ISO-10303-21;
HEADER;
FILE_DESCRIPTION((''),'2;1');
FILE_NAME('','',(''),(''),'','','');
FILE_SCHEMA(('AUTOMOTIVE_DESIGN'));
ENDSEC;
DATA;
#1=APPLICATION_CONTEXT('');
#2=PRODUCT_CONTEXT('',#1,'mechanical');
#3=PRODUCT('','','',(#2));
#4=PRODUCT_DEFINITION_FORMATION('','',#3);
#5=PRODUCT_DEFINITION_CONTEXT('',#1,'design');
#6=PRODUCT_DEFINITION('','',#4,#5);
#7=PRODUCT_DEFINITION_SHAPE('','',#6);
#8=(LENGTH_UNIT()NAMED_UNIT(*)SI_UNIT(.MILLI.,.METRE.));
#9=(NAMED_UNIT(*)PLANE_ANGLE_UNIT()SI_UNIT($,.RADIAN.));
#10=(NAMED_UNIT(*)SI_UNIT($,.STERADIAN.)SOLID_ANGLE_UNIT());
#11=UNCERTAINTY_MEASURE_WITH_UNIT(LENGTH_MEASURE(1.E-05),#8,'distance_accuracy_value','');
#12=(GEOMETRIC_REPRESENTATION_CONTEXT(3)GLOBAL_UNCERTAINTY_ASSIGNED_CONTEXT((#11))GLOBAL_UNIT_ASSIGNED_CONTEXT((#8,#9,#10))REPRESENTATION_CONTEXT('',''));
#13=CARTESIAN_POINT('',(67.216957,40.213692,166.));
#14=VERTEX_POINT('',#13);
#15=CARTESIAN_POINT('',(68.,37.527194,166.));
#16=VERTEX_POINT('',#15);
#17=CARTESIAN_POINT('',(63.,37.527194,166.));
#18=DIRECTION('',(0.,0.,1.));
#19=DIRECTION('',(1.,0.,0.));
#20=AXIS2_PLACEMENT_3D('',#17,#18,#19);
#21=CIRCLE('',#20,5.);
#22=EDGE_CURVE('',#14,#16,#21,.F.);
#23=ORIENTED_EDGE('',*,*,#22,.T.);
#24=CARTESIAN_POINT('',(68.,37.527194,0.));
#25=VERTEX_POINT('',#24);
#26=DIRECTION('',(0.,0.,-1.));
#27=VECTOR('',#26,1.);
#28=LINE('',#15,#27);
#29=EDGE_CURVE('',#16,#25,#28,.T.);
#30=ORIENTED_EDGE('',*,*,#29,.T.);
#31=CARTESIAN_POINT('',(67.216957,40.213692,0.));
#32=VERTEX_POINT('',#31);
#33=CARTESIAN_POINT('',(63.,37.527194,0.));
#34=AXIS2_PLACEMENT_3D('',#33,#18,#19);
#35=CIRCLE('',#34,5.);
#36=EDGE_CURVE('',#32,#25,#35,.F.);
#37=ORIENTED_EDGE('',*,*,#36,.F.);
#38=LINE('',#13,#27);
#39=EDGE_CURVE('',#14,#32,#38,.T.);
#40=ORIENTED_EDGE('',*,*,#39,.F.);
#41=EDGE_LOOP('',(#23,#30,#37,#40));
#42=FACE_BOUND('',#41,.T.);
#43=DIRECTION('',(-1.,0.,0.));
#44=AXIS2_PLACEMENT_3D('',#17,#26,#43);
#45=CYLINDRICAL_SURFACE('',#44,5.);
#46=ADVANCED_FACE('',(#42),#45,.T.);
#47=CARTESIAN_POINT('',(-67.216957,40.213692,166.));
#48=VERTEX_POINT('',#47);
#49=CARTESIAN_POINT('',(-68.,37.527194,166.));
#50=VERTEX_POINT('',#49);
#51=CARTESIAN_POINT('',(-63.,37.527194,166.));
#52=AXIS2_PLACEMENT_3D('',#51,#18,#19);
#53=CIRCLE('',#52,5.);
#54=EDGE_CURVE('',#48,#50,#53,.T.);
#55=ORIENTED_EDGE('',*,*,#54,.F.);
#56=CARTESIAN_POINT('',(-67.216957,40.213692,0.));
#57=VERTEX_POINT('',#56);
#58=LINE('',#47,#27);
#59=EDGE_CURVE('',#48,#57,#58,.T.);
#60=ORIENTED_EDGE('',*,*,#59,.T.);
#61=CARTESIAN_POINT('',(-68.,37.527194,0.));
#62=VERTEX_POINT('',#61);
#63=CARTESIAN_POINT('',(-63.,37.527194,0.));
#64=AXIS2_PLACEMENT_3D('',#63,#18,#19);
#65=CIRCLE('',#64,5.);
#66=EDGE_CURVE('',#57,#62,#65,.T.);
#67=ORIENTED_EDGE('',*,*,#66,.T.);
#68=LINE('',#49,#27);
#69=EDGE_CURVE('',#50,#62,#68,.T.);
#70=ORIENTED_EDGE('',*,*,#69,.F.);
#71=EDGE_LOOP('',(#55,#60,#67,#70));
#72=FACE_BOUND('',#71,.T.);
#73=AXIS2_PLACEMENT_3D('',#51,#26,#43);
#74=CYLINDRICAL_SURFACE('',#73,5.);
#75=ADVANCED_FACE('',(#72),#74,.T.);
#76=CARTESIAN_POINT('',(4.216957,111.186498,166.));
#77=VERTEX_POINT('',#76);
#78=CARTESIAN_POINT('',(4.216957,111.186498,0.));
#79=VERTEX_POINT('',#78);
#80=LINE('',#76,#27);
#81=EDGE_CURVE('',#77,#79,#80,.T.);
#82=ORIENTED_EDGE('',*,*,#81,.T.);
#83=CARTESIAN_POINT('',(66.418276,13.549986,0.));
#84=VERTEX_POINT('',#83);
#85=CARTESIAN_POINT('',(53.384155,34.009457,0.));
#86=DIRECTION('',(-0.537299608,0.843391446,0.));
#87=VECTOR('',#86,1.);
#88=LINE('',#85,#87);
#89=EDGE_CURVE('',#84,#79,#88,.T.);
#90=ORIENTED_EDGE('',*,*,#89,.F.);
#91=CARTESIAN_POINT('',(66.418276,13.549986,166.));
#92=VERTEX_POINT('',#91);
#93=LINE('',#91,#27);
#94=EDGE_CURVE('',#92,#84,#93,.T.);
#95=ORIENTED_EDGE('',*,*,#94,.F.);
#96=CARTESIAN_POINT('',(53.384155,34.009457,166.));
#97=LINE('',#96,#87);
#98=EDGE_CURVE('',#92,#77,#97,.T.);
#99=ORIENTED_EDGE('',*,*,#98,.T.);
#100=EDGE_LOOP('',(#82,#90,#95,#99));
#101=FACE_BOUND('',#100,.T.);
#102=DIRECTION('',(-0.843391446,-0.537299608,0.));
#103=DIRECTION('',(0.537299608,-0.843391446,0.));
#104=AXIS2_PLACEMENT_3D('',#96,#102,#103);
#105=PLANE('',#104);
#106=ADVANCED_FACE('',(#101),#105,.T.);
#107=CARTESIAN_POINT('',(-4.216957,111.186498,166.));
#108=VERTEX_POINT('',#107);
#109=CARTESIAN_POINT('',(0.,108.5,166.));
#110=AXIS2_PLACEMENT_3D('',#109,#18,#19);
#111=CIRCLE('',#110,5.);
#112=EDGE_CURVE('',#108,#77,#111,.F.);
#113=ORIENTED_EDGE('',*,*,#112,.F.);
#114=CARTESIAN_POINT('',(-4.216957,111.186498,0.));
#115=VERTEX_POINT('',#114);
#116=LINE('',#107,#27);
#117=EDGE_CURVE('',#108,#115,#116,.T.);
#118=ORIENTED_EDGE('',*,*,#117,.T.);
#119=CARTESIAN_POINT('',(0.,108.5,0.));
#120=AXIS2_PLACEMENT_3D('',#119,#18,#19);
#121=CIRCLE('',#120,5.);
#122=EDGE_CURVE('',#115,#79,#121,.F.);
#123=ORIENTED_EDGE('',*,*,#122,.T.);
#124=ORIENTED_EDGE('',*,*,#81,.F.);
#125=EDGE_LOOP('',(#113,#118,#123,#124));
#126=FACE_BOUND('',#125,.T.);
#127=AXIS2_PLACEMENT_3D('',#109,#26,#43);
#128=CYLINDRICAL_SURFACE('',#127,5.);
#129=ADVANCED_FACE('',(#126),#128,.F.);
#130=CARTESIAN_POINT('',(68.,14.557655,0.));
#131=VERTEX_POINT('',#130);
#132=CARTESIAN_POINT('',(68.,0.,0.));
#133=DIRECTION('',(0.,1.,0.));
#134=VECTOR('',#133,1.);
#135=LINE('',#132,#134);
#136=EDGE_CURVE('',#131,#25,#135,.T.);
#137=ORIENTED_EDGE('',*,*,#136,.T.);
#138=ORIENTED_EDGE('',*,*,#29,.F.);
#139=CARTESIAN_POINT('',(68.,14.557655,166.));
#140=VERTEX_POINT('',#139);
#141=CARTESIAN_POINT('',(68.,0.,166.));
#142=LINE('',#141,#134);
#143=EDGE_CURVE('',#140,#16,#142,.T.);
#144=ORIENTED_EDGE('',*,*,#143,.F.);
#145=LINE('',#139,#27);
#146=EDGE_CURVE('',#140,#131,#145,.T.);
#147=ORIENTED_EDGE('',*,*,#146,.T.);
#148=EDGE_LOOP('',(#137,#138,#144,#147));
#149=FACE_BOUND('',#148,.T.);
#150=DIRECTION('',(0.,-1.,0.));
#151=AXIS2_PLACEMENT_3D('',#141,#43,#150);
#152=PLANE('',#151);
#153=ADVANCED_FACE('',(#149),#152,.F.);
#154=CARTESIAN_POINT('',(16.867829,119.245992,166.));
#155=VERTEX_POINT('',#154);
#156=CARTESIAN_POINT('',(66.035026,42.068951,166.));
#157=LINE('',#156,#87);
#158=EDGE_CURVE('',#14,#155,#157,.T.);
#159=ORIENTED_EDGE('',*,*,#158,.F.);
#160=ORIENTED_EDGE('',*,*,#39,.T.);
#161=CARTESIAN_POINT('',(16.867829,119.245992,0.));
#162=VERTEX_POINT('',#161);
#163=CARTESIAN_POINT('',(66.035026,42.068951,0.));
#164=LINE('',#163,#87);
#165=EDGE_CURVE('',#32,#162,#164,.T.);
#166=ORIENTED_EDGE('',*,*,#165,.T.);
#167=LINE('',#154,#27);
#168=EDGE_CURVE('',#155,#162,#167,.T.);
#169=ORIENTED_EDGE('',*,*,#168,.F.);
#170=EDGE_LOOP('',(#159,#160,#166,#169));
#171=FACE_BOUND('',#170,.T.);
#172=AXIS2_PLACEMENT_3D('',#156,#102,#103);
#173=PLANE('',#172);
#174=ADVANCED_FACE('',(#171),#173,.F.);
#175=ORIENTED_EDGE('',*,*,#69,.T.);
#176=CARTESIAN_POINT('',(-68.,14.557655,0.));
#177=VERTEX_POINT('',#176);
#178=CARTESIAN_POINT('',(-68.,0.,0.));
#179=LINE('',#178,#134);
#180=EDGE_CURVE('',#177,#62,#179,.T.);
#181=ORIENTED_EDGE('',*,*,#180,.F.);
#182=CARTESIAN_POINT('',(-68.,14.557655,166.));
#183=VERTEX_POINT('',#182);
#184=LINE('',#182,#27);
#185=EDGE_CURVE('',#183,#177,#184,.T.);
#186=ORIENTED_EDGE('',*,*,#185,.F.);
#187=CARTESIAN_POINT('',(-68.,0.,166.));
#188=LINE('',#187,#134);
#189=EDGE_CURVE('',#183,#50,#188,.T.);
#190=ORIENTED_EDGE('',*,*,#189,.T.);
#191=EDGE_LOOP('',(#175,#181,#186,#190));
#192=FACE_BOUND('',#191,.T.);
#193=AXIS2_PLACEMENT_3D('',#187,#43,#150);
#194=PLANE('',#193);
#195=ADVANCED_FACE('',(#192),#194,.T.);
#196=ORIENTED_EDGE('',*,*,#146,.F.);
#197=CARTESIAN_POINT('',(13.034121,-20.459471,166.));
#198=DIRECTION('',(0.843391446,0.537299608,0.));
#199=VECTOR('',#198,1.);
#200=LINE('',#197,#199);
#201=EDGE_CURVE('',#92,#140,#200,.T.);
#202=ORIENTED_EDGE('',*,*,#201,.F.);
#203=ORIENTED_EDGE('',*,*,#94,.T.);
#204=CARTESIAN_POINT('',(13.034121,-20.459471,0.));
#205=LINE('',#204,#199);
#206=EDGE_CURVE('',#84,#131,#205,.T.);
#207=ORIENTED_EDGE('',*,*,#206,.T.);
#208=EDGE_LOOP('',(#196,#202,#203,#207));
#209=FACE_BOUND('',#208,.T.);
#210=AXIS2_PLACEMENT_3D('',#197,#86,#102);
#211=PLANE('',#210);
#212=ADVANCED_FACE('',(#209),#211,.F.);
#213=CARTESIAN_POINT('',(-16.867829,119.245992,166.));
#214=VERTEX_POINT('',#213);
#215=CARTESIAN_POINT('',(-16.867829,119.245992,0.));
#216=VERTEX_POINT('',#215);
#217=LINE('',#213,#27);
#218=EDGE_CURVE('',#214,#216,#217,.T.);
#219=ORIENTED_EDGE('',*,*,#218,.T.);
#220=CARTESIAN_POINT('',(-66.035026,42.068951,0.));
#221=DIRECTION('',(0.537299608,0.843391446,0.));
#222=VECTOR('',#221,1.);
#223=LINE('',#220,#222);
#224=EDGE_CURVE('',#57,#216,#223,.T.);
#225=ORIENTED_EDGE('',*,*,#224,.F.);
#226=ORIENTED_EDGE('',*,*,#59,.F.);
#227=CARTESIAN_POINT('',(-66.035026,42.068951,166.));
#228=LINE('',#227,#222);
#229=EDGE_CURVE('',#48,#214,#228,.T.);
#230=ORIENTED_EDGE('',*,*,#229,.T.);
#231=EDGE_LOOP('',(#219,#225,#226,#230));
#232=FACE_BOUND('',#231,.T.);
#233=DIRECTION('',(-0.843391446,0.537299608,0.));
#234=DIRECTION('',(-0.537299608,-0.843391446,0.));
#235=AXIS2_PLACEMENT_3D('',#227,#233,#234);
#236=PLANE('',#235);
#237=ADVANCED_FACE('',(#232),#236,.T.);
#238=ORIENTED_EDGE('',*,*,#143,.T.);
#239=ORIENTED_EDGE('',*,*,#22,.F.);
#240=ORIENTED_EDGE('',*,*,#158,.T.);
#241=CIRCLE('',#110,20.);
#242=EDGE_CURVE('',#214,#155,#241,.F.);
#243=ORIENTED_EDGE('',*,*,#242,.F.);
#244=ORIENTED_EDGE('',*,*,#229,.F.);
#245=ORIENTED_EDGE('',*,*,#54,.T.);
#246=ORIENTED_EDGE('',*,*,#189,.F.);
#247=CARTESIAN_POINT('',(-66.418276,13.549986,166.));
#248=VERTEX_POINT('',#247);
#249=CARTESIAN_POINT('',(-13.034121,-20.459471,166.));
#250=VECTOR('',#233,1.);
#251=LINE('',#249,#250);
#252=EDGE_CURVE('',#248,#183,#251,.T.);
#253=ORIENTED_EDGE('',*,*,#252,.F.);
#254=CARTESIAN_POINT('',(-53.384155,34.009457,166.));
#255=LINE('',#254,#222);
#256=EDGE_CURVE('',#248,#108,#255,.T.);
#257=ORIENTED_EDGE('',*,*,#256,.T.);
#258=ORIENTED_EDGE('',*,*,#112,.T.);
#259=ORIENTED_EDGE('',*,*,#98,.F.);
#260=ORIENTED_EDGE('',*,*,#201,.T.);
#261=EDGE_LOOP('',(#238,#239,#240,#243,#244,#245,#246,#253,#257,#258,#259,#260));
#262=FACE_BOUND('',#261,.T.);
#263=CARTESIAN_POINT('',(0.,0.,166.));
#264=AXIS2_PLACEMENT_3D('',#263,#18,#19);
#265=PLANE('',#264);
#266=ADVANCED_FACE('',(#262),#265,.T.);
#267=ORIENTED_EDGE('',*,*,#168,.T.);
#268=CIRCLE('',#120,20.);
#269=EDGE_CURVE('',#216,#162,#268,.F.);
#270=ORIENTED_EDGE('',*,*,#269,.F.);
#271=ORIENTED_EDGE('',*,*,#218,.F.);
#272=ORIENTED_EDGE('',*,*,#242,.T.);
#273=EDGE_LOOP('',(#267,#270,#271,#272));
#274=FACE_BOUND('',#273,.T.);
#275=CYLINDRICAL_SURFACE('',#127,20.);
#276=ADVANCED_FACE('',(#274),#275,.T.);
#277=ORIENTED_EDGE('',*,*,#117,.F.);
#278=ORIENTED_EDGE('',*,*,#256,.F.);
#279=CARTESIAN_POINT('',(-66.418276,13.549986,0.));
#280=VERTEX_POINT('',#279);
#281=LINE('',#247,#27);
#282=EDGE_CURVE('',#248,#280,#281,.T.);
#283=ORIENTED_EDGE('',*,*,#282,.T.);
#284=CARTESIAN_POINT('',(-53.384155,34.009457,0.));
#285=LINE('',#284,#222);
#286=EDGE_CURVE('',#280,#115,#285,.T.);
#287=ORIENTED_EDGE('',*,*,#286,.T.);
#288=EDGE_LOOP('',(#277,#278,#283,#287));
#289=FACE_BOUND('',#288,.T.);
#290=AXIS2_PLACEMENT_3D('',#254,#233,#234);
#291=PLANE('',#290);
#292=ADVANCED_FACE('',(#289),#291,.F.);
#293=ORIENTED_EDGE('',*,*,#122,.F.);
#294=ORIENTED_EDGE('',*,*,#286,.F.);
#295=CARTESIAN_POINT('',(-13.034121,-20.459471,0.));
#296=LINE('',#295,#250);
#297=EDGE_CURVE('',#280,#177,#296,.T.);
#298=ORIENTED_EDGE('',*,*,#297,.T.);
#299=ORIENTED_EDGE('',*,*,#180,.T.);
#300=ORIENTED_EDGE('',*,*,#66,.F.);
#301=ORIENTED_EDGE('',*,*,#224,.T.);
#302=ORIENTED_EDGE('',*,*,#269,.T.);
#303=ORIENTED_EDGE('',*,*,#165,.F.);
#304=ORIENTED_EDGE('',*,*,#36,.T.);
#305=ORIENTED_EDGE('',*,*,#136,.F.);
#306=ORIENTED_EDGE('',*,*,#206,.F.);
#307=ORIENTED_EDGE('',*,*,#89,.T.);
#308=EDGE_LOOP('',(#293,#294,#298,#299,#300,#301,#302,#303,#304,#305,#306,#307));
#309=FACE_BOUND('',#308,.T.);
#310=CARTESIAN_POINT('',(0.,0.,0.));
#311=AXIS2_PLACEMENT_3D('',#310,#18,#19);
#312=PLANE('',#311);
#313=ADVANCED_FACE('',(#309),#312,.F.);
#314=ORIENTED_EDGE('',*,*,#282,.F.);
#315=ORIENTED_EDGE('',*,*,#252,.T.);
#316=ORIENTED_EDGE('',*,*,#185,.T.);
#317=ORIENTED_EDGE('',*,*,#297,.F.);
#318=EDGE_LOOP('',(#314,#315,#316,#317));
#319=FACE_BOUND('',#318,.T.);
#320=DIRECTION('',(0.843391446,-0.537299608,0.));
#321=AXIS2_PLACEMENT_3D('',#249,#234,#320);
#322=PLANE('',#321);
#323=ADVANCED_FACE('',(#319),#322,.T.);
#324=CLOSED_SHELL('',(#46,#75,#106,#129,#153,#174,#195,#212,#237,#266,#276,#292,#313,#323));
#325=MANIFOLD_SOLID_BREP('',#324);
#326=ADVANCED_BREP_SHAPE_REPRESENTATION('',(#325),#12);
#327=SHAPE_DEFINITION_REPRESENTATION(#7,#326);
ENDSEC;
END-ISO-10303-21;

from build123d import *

# Parameters (mm, degrees)
BOSS_EXTRUDE1_DEPTH = 166


with BuildPart() as part:
    # Sketch1 → Boss-Extrude1 (new body)
    with BuildSketch(Plane.XY):
        with BuildLine():
            Line((-68, 14.557655487), (-66.418275512, 13.549985855))
            Line((-66.418275512, 13.549985855), (-4.216957229, 111.186498042))
            ThreePointArc((-4.216957229, 111.186498042), (0, 113.5), (4.216957229, 111.186498042))
            Line((4.216957229, 111.186498042), (66.418275512, 13.549985855))
            Line((66.418275512, 13.549985855), (68, 14.557655487))
            Line((68, 14.557655487), (68, 37.527193592))
            ThreePointArc((68, 37.527193592), (67.800249272, 38.926338662), (67.216957229, 40.213691634))
            Line((67.216957229, 40.213691634), (16.867828916, 119.245992167))
            ThreePointArc((16.867828916, 119.245992167), (0, 128.5), (-16.867828916, 119.245992167))
            Line((-16.867828916, 119.245992167), (-67.216957229, 40.213691634))
            ThreePointArc((-67.216957229, 40.213691634), (-67.800249272, 38.926338662), (-68, 37.527193592))
            Line((-68, 37.527193592), (-68, 14.557655487))
        make_face()
    extrude(amount=BOSS_EXTRUDE1_DEPTH)


solid = part.part
